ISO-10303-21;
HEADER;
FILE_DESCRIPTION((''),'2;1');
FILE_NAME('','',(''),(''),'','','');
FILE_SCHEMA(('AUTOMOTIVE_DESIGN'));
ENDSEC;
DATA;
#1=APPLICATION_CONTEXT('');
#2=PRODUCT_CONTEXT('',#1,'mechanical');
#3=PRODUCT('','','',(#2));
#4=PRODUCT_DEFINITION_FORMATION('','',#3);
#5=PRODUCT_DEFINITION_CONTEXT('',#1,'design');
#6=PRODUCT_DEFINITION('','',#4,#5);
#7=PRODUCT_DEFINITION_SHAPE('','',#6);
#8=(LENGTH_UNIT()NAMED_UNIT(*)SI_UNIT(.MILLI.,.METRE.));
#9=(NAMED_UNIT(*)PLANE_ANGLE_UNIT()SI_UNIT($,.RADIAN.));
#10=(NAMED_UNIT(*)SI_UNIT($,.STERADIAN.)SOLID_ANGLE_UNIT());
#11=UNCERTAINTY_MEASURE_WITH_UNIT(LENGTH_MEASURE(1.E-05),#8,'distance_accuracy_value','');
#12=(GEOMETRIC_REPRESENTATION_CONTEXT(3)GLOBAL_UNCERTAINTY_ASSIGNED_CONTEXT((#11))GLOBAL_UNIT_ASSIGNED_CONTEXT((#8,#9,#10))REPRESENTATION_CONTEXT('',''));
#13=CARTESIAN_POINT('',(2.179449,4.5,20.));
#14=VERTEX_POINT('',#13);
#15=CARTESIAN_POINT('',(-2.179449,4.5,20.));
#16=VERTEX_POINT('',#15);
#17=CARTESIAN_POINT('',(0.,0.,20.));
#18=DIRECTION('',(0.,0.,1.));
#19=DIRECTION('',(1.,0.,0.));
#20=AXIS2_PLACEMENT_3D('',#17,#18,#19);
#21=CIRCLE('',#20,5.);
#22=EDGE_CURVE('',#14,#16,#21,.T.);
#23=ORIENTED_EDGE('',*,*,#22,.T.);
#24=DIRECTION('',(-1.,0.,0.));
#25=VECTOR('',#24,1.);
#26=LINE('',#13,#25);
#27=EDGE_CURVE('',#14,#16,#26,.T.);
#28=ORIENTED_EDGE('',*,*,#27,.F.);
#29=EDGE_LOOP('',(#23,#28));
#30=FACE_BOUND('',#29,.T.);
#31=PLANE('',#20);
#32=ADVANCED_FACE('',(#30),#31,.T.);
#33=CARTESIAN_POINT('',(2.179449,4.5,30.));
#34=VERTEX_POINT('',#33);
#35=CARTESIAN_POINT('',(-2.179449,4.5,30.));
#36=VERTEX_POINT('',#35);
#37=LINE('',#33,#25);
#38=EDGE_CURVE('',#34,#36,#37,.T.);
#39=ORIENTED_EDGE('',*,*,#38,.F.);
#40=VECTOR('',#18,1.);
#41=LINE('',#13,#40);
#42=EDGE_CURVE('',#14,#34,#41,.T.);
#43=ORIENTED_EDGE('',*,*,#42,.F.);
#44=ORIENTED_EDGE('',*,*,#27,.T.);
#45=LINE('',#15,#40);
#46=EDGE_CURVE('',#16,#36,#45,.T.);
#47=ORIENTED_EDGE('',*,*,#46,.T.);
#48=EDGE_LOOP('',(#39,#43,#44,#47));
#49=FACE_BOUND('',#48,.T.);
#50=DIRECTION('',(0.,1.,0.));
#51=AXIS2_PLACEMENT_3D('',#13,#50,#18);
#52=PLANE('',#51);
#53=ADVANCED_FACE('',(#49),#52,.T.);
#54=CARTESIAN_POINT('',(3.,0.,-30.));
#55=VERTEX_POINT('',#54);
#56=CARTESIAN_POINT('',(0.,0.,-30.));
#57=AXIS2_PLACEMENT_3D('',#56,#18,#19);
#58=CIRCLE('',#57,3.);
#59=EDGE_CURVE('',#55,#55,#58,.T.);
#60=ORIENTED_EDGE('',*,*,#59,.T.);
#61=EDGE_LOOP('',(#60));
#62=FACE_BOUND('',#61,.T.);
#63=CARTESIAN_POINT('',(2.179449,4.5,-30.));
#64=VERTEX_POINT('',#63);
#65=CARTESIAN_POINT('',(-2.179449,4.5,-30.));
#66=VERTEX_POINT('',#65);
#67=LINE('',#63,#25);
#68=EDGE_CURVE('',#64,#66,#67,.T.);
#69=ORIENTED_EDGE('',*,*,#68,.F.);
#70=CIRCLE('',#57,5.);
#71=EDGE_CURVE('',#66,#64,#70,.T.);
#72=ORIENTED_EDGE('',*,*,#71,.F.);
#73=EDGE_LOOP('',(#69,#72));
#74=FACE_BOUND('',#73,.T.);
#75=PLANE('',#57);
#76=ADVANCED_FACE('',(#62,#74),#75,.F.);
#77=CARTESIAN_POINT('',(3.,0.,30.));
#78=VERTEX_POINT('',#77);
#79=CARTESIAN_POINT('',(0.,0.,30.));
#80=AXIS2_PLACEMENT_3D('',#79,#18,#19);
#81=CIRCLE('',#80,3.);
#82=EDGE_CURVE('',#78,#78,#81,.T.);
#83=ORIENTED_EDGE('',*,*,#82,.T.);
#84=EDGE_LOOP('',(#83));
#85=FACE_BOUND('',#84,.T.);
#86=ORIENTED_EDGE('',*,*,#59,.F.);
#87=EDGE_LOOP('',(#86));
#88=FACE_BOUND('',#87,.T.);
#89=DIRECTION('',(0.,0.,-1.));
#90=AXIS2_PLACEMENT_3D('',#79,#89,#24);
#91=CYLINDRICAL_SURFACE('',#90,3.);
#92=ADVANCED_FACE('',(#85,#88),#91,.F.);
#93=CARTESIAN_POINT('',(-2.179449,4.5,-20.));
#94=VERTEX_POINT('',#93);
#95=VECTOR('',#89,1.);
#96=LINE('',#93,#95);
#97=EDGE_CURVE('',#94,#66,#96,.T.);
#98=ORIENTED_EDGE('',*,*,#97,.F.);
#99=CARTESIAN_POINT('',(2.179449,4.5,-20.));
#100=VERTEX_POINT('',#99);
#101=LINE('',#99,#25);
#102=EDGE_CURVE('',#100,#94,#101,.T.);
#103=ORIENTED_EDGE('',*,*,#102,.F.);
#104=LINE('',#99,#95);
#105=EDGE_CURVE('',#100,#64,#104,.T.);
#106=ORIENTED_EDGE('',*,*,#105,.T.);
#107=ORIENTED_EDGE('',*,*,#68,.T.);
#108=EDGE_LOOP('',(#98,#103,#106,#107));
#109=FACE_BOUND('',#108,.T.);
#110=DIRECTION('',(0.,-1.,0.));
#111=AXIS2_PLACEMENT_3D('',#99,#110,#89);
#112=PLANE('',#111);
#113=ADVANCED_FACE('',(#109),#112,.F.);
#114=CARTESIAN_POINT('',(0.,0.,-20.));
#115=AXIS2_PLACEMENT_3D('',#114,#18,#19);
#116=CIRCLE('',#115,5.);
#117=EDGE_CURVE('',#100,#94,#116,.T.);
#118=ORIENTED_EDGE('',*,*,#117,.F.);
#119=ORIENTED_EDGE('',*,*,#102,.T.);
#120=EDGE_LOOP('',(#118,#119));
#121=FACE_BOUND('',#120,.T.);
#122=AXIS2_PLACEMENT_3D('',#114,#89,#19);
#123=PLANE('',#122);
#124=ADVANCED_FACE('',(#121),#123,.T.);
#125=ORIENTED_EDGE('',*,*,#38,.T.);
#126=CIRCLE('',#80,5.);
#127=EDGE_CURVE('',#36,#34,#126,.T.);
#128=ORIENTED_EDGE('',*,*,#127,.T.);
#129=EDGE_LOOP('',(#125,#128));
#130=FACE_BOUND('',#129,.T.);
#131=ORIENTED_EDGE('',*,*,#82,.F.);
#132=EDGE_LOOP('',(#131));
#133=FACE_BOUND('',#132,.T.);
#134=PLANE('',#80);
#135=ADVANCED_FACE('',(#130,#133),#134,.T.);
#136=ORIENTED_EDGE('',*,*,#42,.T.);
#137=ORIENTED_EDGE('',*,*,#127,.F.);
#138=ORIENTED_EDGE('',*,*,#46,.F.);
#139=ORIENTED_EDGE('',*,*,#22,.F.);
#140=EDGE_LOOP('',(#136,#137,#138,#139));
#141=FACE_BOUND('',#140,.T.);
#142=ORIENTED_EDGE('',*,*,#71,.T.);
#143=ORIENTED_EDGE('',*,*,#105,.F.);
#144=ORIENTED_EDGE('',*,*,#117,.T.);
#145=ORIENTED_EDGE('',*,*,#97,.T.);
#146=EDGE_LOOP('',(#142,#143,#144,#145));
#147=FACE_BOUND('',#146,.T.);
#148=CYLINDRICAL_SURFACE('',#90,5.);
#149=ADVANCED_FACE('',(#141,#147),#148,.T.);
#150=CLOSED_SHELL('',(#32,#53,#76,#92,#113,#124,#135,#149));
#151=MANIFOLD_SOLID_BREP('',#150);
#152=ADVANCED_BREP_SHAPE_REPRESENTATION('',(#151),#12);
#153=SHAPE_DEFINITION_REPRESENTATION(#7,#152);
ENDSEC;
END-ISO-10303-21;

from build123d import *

# Parameters (mm, degrees)
SKETCH1_R           = 5
SKETCH1_R_2         = 3
BOSS_EXTRUDE2_DEPTH = 30
CUT_EXTRUDE1_DEPTH  = 10


with BuildPart() as part:
    # Sketch1 → Boss-Extrude2 (new body, symmetric)
    with BuildSketch(Plane.XY):
        Circle(SKETCH1_R)
        Circle(SKETCH1_R_2, mode=Mode.SUBTRACT)
    extrude(amount=BOSS_EXTRUDE2_DEPTH, both=True)

    # Sketch2 → Cut-Extrude1 (cut)
    with BuildSketch(Plane.XY.offset(30)):
        with BuildLine():
            Line((2.179449472, 4.5), (-2.179449472, 4.5))
            ThreePointArc((-2.179449472, 4.5), (0, 5), (2.179449472, 4.5))
        make_face()
    cut_extrude1 = extrude(amount=-CUT_EXTRUDE1_DEPTH, mode=Mode.SUBTRACT)

    # Mirror1: Cut-Extrude1 across plane
    add(cut_extrude1.mirror(Plane.XY), mode=Mode.SUBTRACT)


solid = part.part
